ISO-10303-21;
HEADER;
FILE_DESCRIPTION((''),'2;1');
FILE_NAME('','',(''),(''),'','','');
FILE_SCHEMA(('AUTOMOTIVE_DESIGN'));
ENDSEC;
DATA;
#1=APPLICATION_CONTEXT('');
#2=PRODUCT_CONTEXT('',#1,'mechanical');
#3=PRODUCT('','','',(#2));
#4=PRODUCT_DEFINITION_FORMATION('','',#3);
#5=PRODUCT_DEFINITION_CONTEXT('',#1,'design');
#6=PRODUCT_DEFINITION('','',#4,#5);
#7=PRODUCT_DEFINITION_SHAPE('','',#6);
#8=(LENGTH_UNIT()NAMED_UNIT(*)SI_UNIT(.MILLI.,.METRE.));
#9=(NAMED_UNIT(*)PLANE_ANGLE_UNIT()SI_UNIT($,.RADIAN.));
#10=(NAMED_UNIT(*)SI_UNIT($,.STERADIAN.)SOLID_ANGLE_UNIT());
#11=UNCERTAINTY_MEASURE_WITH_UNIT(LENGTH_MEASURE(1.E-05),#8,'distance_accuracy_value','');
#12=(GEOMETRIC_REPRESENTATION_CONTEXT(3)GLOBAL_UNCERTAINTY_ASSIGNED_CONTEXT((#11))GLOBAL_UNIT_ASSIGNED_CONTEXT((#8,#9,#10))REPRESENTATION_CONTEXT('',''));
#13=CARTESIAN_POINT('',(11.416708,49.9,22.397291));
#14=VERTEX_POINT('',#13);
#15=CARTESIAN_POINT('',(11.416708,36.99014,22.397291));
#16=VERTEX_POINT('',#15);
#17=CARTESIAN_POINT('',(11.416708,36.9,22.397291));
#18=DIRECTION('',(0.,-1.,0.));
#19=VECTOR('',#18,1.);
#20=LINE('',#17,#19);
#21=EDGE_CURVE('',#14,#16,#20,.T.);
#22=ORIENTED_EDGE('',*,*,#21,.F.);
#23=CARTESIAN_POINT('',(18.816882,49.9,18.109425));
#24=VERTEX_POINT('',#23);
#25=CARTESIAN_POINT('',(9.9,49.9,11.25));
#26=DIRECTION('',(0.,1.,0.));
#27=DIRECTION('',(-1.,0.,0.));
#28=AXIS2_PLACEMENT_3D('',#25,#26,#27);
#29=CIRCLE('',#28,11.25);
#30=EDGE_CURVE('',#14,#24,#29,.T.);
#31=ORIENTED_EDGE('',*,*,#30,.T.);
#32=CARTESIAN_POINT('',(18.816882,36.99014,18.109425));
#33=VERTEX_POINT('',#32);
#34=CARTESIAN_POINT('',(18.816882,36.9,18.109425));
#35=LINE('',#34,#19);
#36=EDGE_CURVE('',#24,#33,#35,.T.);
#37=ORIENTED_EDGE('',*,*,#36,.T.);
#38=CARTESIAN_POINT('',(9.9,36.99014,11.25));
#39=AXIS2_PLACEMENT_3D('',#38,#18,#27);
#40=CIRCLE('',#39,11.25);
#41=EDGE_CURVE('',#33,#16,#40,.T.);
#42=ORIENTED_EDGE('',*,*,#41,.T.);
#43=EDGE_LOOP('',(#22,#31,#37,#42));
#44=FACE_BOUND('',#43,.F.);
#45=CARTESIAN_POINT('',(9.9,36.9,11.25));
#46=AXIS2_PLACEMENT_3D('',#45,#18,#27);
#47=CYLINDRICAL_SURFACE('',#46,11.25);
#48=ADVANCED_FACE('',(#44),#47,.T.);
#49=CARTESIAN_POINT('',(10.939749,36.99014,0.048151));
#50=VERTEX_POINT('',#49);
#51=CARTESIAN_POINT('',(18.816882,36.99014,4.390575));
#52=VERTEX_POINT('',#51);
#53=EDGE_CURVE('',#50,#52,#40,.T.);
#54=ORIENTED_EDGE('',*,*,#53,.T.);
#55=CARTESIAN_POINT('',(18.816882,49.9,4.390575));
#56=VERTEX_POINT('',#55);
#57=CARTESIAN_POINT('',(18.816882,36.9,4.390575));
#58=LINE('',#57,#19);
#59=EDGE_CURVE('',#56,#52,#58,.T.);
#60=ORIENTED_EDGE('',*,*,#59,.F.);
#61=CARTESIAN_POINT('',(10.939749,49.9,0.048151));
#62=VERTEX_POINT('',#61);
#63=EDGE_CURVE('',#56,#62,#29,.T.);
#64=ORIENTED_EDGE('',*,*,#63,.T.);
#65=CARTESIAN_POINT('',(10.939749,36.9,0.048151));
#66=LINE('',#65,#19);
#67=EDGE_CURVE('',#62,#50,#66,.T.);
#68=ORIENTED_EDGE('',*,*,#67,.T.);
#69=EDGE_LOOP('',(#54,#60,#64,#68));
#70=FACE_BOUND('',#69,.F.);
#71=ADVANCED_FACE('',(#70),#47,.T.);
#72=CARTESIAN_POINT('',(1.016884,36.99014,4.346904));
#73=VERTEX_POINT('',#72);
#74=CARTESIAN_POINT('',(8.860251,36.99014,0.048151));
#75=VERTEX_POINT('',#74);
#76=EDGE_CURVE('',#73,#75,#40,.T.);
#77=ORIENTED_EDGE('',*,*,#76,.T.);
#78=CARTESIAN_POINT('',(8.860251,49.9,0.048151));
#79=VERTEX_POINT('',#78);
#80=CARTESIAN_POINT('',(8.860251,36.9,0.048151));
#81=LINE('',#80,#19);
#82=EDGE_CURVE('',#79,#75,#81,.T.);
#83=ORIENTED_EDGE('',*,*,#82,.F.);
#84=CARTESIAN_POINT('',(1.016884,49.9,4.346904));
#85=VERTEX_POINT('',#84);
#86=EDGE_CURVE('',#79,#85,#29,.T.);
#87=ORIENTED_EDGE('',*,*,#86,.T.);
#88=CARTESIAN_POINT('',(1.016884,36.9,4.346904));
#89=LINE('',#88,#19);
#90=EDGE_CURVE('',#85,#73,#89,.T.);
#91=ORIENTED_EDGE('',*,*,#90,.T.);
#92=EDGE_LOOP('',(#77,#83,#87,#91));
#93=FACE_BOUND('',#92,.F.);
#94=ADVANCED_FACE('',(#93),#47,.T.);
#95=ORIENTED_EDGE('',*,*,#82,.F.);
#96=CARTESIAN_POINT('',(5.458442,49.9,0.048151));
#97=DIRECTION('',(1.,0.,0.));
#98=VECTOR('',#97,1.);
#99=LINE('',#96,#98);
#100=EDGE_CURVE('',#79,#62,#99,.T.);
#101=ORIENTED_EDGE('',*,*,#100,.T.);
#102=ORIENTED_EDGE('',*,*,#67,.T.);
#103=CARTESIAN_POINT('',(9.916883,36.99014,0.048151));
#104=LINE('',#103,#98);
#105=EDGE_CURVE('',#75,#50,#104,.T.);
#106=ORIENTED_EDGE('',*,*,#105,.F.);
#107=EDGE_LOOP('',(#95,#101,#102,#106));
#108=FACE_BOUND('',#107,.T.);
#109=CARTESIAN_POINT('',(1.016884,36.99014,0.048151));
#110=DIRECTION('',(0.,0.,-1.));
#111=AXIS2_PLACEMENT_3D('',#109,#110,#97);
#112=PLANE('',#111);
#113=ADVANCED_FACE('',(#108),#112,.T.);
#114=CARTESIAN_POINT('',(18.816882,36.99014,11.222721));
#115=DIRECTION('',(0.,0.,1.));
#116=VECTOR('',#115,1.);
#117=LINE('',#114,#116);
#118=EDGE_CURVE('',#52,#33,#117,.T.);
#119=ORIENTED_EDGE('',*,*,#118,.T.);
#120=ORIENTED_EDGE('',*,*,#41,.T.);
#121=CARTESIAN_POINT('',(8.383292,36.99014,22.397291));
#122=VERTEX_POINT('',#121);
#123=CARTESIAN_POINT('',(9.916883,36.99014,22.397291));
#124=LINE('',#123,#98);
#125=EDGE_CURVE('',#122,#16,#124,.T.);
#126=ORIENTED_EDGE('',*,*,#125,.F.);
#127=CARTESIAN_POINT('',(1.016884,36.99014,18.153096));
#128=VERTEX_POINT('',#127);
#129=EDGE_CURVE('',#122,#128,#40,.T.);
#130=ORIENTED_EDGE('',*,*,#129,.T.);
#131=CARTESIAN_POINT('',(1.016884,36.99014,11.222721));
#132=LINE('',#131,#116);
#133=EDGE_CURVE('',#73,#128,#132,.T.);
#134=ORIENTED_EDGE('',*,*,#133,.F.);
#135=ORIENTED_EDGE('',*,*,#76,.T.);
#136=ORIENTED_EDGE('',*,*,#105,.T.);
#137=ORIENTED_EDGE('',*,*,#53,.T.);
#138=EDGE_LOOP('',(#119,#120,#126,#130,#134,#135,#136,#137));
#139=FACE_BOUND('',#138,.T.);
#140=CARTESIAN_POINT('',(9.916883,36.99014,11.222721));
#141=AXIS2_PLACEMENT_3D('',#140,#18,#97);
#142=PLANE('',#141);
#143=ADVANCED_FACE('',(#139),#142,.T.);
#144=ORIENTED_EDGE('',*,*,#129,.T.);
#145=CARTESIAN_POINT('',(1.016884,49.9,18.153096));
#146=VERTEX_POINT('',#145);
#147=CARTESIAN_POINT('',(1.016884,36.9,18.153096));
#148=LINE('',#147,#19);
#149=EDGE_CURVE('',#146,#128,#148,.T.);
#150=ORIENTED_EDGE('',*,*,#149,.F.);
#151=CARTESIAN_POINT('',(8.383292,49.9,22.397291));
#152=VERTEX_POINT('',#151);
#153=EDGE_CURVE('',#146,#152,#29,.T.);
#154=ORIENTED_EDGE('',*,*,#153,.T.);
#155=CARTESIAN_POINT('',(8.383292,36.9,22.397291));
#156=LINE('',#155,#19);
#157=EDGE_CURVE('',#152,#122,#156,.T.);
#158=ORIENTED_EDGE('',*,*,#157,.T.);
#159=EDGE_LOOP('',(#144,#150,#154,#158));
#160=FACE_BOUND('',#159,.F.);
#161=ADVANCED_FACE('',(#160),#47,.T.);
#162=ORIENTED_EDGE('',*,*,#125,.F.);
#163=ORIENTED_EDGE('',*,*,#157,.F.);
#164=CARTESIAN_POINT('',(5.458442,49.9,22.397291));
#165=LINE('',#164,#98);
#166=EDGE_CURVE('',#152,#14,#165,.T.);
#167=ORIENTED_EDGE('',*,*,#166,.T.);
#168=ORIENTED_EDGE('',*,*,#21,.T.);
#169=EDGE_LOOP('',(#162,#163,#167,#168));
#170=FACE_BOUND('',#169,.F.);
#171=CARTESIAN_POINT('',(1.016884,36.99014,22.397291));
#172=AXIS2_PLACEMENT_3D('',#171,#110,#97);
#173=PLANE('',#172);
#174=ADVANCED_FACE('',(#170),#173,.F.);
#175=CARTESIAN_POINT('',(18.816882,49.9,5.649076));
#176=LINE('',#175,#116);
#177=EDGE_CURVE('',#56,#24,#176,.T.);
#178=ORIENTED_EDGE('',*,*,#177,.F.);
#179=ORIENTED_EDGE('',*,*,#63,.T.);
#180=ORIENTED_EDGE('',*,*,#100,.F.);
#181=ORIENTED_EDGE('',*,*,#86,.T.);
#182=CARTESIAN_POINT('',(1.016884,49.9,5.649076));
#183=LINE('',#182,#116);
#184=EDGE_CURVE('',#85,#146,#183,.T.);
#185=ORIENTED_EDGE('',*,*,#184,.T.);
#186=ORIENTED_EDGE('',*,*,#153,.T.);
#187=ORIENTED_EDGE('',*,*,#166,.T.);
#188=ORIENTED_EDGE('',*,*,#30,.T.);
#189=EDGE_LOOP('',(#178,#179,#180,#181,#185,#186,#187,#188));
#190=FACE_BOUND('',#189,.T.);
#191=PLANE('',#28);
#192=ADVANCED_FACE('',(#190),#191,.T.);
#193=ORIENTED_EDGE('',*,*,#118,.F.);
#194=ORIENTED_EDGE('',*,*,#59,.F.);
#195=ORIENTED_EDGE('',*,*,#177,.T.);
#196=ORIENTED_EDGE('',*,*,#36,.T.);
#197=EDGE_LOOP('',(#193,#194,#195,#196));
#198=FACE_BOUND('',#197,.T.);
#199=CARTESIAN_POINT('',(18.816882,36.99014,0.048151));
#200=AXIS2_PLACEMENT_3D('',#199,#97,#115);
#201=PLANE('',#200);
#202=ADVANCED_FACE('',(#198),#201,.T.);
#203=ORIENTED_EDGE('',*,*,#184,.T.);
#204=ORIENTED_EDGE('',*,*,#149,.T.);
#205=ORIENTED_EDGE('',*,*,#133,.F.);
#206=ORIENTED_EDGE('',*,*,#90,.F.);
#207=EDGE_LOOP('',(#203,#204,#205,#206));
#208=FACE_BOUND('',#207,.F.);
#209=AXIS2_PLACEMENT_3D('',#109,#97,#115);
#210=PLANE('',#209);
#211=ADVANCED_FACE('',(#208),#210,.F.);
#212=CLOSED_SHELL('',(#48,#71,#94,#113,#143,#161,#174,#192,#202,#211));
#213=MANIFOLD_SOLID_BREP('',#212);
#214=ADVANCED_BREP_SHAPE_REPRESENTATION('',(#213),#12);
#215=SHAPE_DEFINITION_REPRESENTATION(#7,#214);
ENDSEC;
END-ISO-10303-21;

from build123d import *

# Parameters (mm, degrees)
CIRCLE_AS_DRAWN_R                       = 11.25
EXTRUDE002_DEPTH                        = 13
EXTRUDE002_ONTO_CIRCLE_ROLL_ANGLE       = 90
EXTRUDE002_ONTO_CIRCLE_PLACEMENT_ANGLE  = 180
RECTANGLE004_AS_DRAWN_W                 = 17.799999
RECTANGLE004_AS_DRAWN_H                 = 22.34914
EXTRUDE008_DEPTH                        = 13
EXTRUDE008_ONTO_RECTANGLE004_ROLL_ANGLE = 90


with BuildPart() as caixamotor:
    # Circle as drawn → Extrude002 (new)
    with BuildSketch(Plane.XY):
        Circle(CIRCLE_AS_DRAWN_R)
    extrude(amount=EXTRUDE002_DEPTH)


with BuildPart() as caixamotor_1:
    # Extrude002 onto Circle roll: moved
    add(caixamotor.part.rotate(Axis((0, 0, 0), (1, 0, 0)), EXTRUDE002_ONTO_CIRCLE_ROLL_ANGLE))


with BuildPart() as caixamotor_2:
    # Extrude002 onto Circle placement: moved
    add(caixamotor_1.part.moved(Location((9.4, 37, 11.25))).rotate(Axis((9.4, 37, 11.25), (0, 0, 1)), EXTRUDE002_ONTO_CIRCLE_PLACEMENT_ANGLE))


with BuildPart() as booleancaixamotor:
    # Rectangle004 as drawn → Extrude008 (new)
    with BuildSketch(Plane.XY):
        with Locations((8.899999, -11.17457)):
            Rectangle(RECTANGLE004_AS_DRAWN_W, RECTANGLE004_AS_DRAWN_H)
    extrude(amount=-EXTRUDE008_DEPTH)


with BuildPart() as booleancaixamotor_1:
    # Extrude008 onto Rectangle004 roll: moved
    add(booleancaixamotor.part.rotate(Axis((0, 0, 0), (1, 0, 0)), EXTRUDE008_ONTO_RECTANGLE004_ROLL_ANGLE))


with BuildPart() as booleancaixamotor_2:
    # Extrude008 onto Rectangle004 placement: moved
    add(booleancaixamotor_1.part.moved(Location((0.516884, 1.09014, 22.397291))))


with BuildPart() as booleancaixamotor_3:
    # Extrude008 placement: moved
    add(booleancaixamotor_2.part.moved(Location((0, 36, 0))))

    # Common: intersect CaixaMotor
    add(caixamotor_2.part, mode=Mode.INTERSECT)


with BuildPart() as booleancaixamotor_4:
    # Common placement: moved
    add(booleancaixamotor_3.part.moved(Location((0.5, -0.1, 0))))


solid = booleancaixamotor_4.part
